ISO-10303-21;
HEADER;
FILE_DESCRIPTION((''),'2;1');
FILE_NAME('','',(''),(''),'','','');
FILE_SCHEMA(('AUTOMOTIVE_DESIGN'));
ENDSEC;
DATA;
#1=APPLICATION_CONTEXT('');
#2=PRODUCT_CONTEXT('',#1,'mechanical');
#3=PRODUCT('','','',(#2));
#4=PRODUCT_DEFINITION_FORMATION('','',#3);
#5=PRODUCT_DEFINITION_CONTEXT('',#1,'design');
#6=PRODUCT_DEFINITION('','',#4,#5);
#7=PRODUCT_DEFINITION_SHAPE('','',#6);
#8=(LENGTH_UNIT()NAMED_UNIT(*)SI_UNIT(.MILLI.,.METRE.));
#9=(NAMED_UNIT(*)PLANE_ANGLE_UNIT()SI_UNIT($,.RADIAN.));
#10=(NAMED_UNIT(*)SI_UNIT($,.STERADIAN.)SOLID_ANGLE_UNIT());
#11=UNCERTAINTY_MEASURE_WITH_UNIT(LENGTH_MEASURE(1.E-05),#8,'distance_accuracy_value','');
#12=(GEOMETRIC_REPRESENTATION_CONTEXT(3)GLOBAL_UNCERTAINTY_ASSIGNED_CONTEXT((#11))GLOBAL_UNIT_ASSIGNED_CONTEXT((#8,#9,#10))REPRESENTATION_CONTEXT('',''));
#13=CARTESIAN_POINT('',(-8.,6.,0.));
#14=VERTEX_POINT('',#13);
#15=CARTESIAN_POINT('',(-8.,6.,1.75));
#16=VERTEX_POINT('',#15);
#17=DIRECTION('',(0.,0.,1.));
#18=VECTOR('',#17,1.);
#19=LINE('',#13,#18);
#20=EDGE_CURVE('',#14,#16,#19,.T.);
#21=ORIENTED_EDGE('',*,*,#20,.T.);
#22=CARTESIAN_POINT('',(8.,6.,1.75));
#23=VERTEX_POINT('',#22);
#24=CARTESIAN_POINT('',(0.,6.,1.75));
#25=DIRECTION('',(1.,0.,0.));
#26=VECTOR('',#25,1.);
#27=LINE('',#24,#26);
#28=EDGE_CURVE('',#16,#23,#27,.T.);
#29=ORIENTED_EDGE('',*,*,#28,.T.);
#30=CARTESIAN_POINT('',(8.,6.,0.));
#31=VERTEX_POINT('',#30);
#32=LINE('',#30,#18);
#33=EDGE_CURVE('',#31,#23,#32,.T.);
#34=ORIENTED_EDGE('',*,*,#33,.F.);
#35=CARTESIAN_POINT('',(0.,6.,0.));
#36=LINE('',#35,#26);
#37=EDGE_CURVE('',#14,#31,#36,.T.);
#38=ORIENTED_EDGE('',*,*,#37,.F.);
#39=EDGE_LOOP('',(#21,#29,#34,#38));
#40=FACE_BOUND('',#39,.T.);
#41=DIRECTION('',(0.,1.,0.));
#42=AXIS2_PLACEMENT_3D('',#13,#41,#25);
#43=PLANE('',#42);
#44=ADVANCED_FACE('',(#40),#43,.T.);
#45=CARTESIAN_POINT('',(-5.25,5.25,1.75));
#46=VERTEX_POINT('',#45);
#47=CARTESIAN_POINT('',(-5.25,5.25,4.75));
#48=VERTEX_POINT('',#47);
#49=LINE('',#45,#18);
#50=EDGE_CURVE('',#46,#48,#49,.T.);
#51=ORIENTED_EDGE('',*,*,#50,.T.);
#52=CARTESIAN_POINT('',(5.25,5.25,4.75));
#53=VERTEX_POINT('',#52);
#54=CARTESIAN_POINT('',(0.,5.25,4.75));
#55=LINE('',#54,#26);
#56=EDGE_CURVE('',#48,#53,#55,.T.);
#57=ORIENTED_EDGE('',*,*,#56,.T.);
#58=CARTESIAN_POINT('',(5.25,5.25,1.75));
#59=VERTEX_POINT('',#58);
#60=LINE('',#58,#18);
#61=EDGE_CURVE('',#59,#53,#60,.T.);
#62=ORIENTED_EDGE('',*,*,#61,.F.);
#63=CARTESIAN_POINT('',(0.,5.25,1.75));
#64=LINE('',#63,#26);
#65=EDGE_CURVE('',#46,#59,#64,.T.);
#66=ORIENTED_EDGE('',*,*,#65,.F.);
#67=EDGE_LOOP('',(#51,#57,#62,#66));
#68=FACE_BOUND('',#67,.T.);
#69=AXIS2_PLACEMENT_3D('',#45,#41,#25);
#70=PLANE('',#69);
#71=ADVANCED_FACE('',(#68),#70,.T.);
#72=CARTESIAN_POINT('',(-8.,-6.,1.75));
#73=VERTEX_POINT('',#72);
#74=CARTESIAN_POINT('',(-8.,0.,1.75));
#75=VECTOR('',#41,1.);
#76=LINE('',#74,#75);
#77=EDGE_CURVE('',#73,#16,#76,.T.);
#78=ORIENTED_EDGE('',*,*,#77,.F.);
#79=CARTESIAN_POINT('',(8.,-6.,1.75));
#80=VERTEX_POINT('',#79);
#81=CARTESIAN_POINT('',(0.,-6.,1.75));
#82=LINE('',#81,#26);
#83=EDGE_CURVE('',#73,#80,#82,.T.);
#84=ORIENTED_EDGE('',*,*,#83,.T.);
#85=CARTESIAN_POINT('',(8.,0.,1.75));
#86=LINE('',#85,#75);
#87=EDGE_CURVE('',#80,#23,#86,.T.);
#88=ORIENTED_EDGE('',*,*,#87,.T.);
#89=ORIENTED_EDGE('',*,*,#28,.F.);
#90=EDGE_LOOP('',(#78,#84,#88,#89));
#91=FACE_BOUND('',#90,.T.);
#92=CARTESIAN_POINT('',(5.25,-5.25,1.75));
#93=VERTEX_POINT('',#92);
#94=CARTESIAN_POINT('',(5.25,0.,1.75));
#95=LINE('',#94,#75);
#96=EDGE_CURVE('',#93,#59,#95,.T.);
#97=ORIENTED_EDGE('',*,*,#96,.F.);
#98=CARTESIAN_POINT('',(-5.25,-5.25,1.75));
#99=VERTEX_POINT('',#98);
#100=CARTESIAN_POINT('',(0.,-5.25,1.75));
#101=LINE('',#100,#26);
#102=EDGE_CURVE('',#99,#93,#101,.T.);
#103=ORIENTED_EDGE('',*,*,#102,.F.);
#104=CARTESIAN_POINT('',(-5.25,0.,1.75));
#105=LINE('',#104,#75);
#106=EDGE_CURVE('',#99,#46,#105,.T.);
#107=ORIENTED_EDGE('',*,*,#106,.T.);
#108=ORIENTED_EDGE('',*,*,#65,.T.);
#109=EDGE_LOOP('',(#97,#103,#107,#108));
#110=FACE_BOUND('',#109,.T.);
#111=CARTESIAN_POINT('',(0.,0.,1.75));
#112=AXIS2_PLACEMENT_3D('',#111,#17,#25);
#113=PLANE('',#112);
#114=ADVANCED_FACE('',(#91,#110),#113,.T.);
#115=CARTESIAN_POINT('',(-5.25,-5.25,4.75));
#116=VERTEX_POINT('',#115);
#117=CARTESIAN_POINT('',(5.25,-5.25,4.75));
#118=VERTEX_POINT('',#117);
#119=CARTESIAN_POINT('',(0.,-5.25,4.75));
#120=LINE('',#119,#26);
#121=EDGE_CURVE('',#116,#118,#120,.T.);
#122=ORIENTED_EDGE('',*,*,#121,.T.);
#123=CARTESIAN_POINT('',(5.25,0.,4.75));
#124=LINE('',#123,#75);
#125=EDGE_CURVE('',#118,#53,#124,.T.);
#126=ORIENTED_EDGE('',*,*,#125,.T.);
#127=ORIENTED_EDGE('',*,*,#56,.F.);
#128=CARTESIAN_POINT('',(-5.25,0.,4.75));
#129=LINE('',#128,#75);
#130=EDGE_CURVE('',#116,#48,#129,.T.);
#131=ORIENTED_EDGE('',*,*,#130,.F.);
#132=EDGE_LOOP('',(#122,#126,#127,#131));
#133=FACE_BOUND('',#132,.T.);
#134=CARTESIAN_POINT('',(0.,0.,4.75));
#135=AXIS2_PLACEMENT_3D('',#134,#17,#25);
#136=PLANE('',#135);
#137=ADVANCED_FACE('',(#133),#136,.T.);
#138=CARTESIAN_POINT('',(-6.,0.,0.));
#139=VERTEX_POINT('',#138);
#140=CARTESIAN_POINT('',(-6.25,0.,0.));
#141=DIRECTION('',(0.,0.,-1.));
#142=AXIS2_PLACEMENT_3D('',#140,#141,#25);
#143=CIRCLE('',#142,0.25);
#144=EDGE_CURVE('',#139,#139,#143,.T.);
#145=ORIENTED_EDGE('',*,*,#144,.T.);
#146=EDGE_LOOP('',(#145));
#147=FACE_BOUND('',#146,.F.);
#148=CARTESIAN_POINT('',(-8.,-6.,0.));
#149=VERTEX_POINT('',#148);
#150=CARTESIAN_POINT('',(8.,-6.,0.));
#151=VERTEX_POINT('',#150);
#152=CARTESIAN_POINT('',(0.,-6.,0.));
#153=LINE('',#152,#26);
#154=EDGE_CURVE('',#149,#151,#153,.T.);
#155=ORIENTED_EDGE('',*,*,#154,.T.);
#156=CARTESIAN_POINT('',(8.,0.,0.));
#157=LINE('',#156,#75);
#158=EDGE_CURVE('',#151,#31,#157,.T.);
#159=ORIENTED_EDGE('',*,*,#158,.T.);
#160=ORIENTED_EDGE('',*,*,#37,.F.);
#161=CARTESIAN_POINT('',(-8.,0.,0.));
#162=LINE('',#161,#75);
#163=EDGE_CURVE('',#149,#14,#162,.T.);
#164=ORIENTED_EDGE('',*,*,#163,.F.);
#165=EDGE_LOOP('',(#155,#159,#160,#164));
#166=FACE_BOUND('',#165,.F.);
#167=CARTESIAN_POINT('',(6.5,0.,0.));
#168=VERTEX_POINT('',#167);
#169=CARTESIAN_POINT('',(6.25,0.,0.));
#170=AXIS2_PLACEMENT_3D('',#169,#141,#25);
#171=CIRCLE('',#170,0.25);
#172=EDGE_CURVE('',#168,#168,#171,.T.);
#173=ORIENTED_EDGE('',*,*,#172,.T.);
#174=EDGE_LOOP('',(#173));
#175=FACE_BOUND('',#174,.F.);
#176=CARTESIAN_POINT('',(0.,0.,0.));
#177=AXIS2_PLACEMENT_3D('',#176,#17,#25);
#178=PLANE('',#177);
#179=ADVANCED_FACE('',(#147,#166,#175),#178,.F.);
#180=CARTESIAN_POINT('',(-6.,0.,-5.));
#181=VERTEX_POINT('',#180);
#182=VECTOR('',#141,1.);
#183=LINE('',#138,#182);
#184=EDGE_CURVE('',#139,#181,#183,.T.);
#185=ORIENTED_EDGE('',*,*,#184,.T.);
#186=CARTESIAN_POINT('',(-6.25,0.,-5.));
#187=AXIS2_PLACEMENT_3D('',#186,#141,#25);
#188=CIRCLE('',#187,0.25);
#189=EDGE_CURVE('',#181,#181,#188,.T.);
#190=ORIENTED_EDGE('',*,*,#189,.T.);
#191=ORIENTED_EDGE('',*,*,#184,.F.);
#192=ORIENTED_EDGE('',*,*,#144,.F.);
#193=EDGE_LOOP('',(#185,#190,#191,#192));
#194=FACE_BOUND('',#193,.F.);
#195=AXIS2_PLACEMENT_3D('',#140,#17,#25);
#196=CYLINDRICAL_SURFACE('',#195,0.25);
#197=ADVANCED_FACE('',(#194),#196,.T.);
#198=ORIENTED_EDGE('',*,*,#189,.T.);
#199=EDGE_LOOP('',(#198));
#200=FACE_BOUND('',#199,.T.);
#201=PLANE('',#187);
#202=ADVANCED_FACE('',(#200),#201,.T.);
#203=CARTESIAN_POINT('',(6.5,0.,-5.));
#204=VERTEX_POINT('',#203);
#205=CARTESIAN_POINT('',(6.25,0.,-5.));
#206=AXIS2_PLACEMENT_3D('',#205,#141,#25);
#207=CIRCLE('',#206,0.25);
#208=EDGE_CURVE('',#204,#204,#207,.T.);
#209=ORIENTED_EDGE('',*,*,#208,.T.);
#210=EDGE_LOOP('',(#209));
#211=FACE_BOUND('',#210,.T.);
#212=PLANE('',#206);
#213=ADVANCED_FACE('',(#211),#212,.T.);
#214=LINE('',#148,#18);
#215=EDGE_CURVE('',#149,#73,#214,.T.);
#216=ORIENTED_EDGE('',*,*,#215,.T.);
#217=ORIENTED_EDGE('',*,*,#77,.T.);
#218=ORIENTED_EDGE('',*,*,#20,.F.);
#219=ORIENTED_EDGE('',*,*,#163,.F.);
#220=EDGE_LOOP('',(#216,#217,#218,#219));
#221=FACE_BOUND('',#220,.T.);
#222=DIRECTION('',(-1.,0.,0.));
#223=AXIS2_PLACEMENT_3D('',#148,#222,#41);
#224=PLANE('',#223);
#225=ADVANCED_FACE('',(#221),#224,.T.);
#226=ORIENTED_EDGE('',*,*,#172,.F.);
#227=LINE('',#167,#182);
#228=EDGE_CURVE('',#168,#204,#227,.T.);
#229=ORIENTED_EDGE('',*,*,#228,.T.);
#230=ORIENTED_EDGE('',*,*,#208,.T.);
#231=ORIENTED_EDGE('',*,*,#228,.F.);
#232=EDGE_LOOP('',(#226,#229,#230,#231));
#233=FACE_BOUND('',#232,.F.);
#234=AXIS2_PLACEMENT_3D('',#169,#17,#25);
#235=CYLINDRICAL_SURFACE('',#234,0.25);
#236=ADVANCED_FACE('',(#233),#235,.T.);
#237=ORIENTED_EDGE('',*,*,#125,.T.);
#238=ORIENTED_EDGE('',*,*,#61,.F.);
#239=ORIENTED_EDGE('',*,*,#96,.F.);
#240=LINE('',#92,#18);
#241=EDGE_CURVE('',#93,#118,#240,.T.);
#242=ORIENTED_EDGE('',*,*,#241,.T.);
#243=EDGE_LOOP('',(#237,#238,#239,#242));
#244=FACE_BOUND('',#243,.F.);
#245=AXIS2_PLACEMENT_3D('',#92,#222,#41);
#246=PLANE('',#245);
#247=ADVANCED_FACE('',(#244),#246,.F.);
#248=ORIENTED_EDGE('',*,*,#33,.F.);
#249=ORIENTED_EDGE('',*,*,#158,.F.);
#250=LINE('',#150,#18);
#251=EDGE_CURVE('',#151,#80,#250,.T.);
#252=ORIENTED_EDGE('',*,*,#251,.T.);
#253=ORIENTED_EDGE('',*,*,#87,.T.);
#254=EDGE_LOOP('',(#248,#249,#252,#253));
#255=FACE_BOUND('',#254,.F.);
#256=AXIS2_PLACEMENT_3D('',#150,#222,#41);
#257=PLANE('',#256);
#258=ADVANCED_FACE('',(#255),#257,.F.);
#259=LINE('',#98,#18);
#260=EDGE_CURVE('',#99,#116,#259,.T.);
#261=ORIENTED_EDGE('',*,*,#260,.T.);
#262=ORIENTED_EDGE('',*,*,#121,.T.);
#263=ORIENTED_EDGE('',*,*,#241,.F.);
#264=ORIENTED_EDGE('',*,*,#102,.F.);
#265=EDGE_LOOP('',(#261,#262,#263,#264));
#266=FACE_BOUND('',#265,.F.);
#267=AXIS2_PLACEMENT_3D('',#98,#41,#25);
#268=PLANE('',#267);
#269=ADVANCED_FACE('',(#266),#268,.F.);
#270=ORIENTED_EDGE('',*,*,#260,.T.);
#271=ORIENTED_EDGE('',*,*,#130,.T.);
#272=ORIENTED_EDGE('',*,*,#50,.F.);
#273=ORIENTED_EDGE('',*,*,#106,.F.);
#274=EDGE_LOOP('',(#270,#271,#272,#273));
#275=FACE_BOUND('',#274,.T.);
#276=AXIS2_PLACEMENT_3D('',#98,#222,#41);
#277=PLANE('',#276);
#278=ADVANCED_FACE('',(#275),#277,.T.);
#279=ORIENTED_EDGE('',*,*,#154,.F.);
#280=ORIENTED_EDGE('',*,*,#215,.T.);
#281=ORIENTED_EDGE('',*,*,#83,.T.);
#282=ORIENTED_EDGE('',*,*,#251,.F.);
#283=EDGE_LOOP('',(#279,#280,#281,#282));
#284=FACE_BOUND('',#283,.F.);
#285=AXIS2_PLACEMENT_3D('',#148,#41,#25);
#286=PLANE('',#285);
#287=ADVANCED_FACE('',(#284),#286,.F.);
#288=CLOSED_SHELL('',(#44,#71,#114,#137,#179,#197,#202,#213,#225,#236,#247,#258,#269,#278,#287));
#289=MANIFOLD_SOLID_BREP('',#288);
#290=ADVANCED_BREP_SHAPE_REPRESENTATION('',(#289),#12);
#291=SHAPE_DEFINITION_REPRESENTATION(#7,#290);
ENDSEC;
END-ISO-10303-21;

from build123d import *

# Parameters (mm, degrees)
F0_W     = 16
F0_H     = 12
F1_DEPTH = 1.75
F2_W     = 10.5
F2_H     = 10.5
F3_DEPTH = 3
F4_R     = 0.25
F5_DEPTH = 5


with BuildPart() as f1:
    # F0 (on Top) → F1 (new body)
    with BuildSketch(Plane.XY):
        Rectangle(F0_W, F0_H)
    extrude(amount=F1_DEPTH)

    # F2 (on face) → F3 (join)
    with BuildSketch(Plane.XY.offset(1.75)):
        Rectangle(F2_W, F2_H)
    extrude(amount=F3_DEPTH)

    # F4 (on face) → F5 (join)
    with BuildSketch(Plane(origin=(0, 0, 0), x_dir=(1, 0, 0), z_dir=(0, 0, -1))):
        with Locations((-6.25, 0)):
            Circle(F4_R)
        with Locations((6.25, 0)):
            Circle(F4_R)
    extrude(amount=F5_DEPTH)


solid = f1.part
